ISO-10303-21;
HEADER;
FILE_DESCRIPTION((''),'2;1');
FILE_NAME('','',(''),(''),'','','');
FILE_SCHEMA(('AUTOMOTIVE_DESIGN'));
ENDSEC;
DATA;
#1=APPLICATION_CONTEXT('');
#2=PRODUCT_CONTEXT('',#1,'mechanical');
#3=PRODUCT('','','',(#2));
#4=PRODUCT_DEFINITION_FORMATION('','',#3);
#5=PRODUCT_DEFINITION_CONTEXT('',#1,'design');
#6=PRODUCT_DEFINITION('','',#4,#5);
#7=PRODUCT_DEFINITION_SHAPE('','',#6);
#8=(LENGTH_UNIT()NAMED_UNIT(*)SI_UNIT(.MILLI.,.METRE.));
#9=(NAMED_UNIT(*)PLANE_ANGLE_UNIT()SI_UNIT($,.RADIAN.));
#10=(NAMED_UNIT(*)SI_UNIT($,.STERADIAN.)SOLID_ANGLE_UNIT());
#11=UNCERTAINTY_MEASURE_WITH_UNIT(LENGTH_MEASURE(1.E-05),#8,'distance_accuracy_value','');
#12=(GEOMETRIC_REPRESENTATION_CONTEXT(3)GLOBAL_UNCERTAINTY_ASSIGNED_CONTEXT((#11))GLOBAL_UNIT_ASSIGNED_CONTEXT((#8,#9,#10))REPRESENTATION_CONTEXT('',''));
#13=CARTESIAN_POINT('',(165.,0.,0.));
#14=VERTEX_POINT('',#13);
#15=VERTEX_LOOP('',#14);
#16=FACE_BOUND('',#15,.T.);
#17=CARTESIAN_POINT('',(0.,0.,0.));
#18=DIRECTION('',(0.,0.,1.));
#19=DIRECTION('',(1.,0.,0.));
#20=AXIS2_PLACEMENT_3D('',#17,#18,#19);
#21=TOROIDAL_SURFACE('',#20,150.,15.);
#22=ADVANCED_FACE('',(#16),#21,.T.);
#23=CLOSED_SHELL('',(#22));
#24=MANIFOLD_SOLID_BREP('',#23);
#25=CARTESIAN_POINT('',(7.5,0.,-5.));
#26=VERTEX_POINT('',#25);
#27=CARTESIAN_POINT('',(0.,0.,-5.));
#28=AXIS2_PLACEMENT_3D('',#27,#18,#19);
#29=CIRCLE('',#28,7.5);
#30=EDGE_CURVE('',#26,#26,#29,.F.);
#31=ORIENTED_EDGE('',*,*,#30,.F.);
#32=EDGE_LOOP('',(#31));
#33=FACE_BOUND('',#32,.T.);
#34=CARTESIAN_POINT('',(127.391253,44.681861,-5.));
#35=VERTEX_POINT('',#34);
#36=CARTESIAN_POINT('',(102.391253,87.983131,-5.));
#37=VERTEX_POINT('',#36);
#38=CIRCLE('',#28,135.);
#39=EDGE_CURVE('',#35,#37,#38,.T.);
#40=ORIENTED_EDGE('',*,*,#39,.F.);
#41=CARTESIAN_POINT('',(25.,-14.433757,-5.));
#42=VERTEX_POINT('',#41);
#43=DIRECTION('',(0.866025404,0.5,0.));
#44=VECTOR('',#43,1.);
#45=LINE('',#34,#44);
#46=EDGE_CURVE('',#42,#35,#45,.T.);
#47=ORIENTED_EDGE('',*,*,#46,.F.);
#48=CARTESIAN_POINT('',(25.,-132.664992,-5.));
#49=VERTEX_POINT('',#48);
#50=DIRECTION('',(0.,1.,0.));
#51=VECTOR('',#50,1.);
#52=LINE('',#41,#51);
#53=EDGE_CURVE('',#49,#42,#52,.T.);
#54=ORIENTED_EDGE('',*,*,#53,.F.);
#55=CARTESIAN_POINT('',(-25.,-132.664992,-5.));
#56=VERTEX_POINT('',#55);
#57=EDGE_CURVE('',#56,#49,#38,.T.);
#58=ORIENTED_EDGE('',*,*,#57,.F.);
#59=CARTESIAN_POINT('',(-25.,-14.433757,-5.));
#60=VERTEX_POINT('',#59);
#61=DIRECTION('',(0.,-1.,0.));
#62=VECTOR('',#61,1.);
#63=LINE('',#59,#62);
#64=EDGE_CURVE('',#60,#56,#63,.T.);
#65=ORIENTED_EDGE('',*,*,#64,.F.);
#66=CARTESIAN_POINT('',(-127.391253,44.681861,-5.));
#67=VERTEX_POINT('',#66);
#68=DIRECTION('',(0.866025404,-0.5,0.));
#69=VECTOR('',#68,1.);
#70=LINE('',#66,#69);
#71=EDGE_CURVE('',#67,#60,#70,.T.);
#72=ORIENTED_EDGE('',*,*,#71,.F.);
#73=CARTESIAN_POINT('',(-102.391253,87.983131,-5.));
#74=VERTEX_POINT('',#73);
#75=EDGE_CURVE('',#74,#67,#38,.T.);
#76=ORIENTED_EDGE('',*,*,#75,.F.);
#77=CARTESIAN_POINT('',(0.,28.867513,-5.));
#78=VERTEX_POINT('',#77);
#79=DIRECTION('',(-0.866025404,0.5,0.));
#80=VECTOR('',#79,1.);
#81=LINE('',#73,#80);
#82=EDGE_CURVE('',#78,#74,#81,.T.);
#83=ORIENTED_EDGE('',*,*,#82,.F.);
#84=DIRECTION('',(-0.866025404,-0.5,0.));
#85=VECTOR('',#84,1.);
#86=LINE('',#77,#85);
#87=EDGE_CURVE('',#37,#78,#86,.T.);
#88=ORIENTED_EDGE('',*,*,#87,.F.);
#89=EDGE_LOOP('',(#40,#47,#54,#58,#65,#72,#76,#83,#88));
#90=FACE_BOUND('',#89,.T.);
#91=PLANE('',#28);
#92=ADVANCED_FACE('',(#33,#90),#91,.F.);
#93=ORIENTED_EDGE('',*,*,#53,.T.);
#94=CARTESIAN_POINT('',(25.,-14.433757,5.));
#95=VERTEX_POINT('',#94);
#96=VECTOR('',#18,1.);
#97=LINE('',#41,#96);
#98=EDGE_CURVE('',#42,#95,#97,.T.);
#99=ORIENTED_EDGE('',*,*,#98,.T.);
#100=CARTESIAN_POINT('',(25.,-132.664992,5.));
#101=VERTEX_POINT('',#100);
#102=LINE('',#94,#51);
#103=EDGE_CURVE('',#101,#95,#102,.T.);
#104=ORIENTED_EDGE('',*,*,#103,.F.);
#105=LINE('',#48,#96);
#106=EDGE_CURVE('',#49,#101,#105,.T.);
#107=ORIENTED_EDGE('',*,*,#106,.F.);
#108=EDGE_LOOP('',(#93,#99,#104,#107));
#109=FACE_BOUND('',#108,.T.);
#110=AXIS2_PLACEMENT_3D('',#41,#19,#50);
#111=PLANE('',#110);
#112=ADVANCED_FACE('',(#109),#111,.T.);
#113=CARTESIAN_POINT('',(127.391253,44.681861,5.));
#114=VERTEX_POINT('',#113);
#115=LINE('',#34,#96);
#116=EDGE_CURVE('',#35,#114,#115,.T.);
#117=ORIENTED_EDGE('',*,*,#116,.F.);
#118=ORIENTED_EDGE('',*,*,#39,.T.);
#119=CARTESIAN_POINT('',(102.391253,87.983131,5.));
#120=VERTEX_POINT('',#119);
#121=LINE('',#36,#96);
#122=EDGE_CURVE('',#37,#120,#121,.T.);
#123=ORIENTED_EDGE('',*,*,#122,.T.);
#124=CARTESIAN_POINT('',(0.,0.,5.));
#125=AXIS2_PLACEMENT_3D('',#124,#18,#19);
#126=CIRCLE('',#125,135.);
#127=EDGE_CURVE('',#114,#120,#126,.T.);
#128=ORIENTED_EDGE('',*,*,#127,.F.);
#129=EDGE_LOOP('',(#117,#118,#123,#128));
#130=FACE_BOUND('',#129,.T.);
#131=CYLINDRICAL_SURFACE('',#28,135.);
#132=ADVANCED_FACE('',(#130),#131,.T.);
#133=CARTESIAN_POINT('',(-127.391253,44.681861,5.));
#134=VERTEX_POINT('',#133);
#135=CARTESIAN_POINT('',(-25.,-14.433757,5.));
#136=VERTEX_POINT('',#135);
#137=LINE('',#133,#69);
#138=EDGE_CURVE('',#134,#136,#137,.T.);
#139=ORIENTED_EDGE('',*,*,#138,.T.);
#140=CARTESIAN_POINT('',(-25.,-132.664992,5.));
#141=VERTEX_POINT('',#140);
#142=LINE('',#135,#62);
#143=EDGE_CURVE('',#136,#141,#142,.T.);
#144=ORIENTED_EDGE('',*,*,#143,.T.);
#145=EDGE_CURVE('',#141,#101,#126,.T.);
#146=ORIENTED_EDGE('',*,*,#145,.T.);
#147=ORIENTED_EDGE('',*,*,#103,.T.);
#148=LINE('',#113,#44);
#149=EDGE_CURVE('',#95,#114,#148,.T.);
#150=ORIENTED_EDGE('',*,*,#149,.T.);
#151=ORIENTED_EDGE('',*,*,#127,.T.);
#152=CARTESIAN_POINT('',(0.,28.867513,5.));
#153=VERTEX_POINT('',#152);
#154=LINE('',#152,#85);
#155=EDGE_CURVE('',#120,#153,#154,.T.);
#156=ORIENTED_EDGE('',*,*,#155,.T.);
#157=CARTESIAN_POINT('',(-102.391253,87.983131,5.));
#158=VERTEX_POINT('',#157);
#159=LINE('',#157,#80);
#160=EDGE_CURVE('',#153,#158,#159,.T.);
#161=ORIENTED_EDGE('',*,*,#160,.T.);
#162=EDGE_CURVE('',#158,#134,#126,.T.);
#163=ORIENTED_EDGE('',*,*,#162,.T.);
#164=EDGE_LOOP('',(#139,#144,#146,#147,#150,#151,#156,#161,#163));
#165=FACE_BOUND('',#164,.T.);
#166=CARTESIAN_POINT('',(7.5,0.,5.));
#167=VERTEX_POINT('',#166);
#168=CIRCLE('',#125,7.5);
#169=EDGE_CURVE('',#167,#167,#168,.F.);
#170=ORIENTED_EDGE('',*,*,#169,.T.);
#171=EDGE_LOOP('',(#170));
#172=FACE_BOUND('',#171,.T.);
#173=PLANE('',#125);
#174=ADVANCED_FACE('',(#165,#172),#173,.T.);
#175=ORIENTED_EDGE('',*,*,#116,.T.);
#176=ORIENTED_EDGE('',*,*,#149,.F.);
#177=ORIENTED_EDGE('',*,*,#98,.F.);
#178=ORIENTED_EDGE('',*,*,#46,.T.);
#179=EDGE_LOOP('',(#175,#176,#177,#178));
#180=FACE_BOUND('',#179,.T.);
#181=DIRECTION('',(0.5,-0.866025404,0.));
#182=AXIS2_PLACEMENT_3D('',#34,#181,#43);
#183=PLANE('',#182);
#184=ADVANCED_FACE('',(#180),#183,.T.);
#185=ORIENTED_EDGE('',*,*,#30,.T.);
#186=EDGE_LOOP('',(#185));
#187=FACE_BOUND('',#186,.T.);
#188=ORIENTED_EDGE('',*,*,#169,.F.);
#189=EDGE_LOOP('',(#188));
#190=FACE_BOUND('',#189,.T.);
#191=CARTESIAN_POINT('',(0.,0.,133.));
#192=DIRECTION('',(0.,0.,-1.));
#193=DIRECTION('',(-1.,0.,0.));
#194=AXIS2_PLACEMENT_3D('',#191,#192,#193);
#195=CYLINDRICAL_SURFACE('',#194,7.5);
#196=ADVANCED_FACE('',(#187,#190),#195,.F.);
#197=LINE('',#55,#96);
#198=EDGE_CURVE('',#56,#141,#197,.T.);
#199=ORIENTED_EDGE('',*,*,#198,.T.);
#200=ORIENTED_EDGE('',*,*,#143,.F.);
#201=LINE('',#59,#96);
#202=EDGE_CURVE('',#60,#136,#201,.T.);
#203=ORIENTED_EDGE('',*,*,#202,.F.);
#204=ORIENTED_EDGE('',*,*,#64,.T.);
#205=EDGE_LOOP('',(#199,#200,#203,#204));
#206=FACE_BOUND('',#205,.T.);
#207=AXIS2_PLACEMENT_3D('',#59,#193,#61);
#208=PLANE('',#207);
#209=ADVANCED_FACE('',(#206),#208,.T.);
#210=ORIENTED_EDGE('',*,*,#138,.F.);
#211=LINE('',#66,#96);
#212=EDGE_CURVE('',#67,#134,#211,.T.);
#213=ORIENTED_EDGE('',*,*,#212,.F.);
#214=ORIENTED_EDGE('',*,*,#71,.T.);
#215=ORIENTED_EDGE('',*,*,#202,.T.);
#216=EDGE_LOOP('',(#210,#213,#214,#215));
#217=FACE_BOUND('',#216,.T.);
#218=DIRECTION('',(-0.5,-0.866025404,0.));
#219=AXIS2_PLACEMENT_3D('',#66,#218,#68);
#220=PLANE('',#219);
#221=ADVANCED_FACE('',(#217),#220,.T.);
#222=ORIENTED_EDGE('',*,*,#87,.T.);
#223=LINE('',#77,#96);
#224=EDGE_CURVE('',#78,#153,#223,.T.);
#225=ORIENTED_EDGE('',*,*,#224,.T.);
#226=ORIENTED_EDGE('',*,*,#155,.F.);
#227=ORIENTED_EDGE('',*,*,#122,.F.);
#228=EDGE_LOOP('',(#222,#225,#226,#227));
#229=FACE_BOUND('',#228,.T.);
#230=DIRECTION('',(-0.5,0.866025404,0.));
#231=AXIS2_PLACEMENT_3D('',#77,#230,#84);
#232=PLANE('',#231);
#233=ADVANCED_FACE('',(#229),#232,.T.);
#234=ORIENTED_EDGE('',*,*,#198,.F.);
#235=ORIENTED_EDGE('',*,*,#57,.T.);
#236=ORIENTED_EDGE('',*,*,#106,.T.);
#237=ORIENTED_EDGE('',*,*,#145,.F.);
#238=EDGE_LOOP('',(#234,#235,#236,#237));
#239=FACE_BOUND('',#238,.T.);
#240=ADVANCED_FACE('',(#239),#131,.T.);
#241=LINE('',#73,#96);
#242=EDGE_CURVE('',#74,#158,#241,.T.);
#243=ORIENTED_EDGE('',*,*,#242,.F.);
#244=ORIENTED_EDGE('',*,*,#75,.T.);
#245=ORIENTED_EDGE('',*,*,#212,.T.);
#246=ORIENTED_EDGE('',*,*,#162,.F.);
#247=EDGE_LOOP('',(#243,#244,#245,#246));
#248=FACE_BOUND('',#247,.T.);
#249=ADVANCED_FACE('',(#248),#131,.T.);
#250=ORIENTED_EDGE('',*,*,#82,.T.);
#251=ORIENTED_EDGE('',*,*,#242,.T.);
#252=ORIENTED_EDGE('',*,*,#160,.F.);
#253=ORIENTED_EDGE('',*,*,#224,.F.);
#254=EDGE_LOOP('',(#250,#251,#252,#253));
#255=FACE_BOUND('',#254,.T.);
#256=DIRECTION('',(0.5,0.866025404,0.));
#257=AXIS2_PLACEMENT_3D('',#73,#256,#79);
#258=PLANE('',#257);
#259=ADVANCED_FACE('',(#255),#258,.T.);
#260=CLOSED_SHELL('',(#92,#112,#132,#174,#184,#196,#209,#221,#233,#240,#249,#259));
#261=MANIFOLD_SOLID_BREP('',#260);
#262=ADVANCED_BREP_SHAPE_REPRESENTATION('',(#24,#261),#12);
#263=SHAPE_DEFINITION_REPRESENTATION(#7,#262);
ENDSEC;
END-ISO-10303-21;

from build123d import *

# Parameters (mm, degrees)
IZIM3_R                          = 15
Y_KSEKLIK_EKSTR_ZYON1_DEPTH      = 5
Y_KSEKLIK_EKSTR_ZYON1_DEPTH_BACK = 5
KES_EKSTR_ZYON1_DEPTH            = 128
KES_EKSTR_ZYON1_DEPTH_BACK       = 201
IZIM6_R                          = 7.5


with BuildPart() as part:
    # Süpür2: sweep along a path in Çizim1
    with BuildLine(Plane.XY) as s_p_r2_path:
        ThreePointArc((150, 0), (0, 150), (-150, 0))
    # Çizim3 → Süpür2 (sweep)
    with BuildSketch(Plane(origin=(0, 0, 0), x_dir=(1, 0, 0), z_dir=(0, 1, 0))):
        with Locations((-150, 0)):
            Circle(IZIM3_R)
    s_p_r2 = sweep(path=s_p_r2_path.line)

    # Aynalama1: Süpür2 across plane
    add(s_p_r2.mirror(Plane(origin=(150, 0, 0), x_dir=(0, 0, 1), z_dir=(0, -1, 0))))


with BuildPart() as body_2:
    # Çizim5 → Yükseklik-Ekstrüzyon1 (new, two sides: drawn at the far end of the back side and taken through both)
    with BuildSketch(Plane.XY.offset(-Y_KSEKLIK_EKSTR_ZYON1_DEPTH_BACK)):
        with BuildLine():
            Line((-102.391252931, 87.983130902), (0, 28.867513459))
            Line((0, 28.867513459), (102.391252931, 87.983130902))
            ThreePointArc((102.391252931, 87.983130902), (116.913429511, 67.5), (127.391252931, 44.681860712))
            Line((127.391252931, 44.681860712), (25, -14.43375673))
            Line((25, -14.43375673), (25, -132.664991614))
            ThreePointArc((25, -132.664991614), (0, -135), (-25, -132.664991614))
            Line((-25, -132.664991614), (-25, -14.43375673))
            Line((-25, -14.43375673), (-127.391252931, 44.681860712))
            ThreePointArc((-127.391252931, 44.681860712), (-116.913429511, 67.5), (-102.391252931, 87.983130902))
        make_face()
    extrude(amount=Y_KSEKLIK_EKSTR_ZYON1_DEPTH + Y_KSEKLIK_EKSTR_ZYON1_DEPTH_BACK)

    # Çizim6 → Kes-Ekstrüzyon1 (cut, two sides: drawn at the far end of the back side and taken through both)
    with BuildSketch(Plane.XY.offset(5).offset(-KES_EKSTR_ZYON1_DEPTH_BACK)):
        Circle(IZIM6_R)
    extrude(amount=KES_EKSTR_ZYON1_DEPTH + KES_EKSTR_ZYON1_DEPTH_BACK, mode=Mode.SUBTRACT)


solid = Compound([part.part, body_2.part])
